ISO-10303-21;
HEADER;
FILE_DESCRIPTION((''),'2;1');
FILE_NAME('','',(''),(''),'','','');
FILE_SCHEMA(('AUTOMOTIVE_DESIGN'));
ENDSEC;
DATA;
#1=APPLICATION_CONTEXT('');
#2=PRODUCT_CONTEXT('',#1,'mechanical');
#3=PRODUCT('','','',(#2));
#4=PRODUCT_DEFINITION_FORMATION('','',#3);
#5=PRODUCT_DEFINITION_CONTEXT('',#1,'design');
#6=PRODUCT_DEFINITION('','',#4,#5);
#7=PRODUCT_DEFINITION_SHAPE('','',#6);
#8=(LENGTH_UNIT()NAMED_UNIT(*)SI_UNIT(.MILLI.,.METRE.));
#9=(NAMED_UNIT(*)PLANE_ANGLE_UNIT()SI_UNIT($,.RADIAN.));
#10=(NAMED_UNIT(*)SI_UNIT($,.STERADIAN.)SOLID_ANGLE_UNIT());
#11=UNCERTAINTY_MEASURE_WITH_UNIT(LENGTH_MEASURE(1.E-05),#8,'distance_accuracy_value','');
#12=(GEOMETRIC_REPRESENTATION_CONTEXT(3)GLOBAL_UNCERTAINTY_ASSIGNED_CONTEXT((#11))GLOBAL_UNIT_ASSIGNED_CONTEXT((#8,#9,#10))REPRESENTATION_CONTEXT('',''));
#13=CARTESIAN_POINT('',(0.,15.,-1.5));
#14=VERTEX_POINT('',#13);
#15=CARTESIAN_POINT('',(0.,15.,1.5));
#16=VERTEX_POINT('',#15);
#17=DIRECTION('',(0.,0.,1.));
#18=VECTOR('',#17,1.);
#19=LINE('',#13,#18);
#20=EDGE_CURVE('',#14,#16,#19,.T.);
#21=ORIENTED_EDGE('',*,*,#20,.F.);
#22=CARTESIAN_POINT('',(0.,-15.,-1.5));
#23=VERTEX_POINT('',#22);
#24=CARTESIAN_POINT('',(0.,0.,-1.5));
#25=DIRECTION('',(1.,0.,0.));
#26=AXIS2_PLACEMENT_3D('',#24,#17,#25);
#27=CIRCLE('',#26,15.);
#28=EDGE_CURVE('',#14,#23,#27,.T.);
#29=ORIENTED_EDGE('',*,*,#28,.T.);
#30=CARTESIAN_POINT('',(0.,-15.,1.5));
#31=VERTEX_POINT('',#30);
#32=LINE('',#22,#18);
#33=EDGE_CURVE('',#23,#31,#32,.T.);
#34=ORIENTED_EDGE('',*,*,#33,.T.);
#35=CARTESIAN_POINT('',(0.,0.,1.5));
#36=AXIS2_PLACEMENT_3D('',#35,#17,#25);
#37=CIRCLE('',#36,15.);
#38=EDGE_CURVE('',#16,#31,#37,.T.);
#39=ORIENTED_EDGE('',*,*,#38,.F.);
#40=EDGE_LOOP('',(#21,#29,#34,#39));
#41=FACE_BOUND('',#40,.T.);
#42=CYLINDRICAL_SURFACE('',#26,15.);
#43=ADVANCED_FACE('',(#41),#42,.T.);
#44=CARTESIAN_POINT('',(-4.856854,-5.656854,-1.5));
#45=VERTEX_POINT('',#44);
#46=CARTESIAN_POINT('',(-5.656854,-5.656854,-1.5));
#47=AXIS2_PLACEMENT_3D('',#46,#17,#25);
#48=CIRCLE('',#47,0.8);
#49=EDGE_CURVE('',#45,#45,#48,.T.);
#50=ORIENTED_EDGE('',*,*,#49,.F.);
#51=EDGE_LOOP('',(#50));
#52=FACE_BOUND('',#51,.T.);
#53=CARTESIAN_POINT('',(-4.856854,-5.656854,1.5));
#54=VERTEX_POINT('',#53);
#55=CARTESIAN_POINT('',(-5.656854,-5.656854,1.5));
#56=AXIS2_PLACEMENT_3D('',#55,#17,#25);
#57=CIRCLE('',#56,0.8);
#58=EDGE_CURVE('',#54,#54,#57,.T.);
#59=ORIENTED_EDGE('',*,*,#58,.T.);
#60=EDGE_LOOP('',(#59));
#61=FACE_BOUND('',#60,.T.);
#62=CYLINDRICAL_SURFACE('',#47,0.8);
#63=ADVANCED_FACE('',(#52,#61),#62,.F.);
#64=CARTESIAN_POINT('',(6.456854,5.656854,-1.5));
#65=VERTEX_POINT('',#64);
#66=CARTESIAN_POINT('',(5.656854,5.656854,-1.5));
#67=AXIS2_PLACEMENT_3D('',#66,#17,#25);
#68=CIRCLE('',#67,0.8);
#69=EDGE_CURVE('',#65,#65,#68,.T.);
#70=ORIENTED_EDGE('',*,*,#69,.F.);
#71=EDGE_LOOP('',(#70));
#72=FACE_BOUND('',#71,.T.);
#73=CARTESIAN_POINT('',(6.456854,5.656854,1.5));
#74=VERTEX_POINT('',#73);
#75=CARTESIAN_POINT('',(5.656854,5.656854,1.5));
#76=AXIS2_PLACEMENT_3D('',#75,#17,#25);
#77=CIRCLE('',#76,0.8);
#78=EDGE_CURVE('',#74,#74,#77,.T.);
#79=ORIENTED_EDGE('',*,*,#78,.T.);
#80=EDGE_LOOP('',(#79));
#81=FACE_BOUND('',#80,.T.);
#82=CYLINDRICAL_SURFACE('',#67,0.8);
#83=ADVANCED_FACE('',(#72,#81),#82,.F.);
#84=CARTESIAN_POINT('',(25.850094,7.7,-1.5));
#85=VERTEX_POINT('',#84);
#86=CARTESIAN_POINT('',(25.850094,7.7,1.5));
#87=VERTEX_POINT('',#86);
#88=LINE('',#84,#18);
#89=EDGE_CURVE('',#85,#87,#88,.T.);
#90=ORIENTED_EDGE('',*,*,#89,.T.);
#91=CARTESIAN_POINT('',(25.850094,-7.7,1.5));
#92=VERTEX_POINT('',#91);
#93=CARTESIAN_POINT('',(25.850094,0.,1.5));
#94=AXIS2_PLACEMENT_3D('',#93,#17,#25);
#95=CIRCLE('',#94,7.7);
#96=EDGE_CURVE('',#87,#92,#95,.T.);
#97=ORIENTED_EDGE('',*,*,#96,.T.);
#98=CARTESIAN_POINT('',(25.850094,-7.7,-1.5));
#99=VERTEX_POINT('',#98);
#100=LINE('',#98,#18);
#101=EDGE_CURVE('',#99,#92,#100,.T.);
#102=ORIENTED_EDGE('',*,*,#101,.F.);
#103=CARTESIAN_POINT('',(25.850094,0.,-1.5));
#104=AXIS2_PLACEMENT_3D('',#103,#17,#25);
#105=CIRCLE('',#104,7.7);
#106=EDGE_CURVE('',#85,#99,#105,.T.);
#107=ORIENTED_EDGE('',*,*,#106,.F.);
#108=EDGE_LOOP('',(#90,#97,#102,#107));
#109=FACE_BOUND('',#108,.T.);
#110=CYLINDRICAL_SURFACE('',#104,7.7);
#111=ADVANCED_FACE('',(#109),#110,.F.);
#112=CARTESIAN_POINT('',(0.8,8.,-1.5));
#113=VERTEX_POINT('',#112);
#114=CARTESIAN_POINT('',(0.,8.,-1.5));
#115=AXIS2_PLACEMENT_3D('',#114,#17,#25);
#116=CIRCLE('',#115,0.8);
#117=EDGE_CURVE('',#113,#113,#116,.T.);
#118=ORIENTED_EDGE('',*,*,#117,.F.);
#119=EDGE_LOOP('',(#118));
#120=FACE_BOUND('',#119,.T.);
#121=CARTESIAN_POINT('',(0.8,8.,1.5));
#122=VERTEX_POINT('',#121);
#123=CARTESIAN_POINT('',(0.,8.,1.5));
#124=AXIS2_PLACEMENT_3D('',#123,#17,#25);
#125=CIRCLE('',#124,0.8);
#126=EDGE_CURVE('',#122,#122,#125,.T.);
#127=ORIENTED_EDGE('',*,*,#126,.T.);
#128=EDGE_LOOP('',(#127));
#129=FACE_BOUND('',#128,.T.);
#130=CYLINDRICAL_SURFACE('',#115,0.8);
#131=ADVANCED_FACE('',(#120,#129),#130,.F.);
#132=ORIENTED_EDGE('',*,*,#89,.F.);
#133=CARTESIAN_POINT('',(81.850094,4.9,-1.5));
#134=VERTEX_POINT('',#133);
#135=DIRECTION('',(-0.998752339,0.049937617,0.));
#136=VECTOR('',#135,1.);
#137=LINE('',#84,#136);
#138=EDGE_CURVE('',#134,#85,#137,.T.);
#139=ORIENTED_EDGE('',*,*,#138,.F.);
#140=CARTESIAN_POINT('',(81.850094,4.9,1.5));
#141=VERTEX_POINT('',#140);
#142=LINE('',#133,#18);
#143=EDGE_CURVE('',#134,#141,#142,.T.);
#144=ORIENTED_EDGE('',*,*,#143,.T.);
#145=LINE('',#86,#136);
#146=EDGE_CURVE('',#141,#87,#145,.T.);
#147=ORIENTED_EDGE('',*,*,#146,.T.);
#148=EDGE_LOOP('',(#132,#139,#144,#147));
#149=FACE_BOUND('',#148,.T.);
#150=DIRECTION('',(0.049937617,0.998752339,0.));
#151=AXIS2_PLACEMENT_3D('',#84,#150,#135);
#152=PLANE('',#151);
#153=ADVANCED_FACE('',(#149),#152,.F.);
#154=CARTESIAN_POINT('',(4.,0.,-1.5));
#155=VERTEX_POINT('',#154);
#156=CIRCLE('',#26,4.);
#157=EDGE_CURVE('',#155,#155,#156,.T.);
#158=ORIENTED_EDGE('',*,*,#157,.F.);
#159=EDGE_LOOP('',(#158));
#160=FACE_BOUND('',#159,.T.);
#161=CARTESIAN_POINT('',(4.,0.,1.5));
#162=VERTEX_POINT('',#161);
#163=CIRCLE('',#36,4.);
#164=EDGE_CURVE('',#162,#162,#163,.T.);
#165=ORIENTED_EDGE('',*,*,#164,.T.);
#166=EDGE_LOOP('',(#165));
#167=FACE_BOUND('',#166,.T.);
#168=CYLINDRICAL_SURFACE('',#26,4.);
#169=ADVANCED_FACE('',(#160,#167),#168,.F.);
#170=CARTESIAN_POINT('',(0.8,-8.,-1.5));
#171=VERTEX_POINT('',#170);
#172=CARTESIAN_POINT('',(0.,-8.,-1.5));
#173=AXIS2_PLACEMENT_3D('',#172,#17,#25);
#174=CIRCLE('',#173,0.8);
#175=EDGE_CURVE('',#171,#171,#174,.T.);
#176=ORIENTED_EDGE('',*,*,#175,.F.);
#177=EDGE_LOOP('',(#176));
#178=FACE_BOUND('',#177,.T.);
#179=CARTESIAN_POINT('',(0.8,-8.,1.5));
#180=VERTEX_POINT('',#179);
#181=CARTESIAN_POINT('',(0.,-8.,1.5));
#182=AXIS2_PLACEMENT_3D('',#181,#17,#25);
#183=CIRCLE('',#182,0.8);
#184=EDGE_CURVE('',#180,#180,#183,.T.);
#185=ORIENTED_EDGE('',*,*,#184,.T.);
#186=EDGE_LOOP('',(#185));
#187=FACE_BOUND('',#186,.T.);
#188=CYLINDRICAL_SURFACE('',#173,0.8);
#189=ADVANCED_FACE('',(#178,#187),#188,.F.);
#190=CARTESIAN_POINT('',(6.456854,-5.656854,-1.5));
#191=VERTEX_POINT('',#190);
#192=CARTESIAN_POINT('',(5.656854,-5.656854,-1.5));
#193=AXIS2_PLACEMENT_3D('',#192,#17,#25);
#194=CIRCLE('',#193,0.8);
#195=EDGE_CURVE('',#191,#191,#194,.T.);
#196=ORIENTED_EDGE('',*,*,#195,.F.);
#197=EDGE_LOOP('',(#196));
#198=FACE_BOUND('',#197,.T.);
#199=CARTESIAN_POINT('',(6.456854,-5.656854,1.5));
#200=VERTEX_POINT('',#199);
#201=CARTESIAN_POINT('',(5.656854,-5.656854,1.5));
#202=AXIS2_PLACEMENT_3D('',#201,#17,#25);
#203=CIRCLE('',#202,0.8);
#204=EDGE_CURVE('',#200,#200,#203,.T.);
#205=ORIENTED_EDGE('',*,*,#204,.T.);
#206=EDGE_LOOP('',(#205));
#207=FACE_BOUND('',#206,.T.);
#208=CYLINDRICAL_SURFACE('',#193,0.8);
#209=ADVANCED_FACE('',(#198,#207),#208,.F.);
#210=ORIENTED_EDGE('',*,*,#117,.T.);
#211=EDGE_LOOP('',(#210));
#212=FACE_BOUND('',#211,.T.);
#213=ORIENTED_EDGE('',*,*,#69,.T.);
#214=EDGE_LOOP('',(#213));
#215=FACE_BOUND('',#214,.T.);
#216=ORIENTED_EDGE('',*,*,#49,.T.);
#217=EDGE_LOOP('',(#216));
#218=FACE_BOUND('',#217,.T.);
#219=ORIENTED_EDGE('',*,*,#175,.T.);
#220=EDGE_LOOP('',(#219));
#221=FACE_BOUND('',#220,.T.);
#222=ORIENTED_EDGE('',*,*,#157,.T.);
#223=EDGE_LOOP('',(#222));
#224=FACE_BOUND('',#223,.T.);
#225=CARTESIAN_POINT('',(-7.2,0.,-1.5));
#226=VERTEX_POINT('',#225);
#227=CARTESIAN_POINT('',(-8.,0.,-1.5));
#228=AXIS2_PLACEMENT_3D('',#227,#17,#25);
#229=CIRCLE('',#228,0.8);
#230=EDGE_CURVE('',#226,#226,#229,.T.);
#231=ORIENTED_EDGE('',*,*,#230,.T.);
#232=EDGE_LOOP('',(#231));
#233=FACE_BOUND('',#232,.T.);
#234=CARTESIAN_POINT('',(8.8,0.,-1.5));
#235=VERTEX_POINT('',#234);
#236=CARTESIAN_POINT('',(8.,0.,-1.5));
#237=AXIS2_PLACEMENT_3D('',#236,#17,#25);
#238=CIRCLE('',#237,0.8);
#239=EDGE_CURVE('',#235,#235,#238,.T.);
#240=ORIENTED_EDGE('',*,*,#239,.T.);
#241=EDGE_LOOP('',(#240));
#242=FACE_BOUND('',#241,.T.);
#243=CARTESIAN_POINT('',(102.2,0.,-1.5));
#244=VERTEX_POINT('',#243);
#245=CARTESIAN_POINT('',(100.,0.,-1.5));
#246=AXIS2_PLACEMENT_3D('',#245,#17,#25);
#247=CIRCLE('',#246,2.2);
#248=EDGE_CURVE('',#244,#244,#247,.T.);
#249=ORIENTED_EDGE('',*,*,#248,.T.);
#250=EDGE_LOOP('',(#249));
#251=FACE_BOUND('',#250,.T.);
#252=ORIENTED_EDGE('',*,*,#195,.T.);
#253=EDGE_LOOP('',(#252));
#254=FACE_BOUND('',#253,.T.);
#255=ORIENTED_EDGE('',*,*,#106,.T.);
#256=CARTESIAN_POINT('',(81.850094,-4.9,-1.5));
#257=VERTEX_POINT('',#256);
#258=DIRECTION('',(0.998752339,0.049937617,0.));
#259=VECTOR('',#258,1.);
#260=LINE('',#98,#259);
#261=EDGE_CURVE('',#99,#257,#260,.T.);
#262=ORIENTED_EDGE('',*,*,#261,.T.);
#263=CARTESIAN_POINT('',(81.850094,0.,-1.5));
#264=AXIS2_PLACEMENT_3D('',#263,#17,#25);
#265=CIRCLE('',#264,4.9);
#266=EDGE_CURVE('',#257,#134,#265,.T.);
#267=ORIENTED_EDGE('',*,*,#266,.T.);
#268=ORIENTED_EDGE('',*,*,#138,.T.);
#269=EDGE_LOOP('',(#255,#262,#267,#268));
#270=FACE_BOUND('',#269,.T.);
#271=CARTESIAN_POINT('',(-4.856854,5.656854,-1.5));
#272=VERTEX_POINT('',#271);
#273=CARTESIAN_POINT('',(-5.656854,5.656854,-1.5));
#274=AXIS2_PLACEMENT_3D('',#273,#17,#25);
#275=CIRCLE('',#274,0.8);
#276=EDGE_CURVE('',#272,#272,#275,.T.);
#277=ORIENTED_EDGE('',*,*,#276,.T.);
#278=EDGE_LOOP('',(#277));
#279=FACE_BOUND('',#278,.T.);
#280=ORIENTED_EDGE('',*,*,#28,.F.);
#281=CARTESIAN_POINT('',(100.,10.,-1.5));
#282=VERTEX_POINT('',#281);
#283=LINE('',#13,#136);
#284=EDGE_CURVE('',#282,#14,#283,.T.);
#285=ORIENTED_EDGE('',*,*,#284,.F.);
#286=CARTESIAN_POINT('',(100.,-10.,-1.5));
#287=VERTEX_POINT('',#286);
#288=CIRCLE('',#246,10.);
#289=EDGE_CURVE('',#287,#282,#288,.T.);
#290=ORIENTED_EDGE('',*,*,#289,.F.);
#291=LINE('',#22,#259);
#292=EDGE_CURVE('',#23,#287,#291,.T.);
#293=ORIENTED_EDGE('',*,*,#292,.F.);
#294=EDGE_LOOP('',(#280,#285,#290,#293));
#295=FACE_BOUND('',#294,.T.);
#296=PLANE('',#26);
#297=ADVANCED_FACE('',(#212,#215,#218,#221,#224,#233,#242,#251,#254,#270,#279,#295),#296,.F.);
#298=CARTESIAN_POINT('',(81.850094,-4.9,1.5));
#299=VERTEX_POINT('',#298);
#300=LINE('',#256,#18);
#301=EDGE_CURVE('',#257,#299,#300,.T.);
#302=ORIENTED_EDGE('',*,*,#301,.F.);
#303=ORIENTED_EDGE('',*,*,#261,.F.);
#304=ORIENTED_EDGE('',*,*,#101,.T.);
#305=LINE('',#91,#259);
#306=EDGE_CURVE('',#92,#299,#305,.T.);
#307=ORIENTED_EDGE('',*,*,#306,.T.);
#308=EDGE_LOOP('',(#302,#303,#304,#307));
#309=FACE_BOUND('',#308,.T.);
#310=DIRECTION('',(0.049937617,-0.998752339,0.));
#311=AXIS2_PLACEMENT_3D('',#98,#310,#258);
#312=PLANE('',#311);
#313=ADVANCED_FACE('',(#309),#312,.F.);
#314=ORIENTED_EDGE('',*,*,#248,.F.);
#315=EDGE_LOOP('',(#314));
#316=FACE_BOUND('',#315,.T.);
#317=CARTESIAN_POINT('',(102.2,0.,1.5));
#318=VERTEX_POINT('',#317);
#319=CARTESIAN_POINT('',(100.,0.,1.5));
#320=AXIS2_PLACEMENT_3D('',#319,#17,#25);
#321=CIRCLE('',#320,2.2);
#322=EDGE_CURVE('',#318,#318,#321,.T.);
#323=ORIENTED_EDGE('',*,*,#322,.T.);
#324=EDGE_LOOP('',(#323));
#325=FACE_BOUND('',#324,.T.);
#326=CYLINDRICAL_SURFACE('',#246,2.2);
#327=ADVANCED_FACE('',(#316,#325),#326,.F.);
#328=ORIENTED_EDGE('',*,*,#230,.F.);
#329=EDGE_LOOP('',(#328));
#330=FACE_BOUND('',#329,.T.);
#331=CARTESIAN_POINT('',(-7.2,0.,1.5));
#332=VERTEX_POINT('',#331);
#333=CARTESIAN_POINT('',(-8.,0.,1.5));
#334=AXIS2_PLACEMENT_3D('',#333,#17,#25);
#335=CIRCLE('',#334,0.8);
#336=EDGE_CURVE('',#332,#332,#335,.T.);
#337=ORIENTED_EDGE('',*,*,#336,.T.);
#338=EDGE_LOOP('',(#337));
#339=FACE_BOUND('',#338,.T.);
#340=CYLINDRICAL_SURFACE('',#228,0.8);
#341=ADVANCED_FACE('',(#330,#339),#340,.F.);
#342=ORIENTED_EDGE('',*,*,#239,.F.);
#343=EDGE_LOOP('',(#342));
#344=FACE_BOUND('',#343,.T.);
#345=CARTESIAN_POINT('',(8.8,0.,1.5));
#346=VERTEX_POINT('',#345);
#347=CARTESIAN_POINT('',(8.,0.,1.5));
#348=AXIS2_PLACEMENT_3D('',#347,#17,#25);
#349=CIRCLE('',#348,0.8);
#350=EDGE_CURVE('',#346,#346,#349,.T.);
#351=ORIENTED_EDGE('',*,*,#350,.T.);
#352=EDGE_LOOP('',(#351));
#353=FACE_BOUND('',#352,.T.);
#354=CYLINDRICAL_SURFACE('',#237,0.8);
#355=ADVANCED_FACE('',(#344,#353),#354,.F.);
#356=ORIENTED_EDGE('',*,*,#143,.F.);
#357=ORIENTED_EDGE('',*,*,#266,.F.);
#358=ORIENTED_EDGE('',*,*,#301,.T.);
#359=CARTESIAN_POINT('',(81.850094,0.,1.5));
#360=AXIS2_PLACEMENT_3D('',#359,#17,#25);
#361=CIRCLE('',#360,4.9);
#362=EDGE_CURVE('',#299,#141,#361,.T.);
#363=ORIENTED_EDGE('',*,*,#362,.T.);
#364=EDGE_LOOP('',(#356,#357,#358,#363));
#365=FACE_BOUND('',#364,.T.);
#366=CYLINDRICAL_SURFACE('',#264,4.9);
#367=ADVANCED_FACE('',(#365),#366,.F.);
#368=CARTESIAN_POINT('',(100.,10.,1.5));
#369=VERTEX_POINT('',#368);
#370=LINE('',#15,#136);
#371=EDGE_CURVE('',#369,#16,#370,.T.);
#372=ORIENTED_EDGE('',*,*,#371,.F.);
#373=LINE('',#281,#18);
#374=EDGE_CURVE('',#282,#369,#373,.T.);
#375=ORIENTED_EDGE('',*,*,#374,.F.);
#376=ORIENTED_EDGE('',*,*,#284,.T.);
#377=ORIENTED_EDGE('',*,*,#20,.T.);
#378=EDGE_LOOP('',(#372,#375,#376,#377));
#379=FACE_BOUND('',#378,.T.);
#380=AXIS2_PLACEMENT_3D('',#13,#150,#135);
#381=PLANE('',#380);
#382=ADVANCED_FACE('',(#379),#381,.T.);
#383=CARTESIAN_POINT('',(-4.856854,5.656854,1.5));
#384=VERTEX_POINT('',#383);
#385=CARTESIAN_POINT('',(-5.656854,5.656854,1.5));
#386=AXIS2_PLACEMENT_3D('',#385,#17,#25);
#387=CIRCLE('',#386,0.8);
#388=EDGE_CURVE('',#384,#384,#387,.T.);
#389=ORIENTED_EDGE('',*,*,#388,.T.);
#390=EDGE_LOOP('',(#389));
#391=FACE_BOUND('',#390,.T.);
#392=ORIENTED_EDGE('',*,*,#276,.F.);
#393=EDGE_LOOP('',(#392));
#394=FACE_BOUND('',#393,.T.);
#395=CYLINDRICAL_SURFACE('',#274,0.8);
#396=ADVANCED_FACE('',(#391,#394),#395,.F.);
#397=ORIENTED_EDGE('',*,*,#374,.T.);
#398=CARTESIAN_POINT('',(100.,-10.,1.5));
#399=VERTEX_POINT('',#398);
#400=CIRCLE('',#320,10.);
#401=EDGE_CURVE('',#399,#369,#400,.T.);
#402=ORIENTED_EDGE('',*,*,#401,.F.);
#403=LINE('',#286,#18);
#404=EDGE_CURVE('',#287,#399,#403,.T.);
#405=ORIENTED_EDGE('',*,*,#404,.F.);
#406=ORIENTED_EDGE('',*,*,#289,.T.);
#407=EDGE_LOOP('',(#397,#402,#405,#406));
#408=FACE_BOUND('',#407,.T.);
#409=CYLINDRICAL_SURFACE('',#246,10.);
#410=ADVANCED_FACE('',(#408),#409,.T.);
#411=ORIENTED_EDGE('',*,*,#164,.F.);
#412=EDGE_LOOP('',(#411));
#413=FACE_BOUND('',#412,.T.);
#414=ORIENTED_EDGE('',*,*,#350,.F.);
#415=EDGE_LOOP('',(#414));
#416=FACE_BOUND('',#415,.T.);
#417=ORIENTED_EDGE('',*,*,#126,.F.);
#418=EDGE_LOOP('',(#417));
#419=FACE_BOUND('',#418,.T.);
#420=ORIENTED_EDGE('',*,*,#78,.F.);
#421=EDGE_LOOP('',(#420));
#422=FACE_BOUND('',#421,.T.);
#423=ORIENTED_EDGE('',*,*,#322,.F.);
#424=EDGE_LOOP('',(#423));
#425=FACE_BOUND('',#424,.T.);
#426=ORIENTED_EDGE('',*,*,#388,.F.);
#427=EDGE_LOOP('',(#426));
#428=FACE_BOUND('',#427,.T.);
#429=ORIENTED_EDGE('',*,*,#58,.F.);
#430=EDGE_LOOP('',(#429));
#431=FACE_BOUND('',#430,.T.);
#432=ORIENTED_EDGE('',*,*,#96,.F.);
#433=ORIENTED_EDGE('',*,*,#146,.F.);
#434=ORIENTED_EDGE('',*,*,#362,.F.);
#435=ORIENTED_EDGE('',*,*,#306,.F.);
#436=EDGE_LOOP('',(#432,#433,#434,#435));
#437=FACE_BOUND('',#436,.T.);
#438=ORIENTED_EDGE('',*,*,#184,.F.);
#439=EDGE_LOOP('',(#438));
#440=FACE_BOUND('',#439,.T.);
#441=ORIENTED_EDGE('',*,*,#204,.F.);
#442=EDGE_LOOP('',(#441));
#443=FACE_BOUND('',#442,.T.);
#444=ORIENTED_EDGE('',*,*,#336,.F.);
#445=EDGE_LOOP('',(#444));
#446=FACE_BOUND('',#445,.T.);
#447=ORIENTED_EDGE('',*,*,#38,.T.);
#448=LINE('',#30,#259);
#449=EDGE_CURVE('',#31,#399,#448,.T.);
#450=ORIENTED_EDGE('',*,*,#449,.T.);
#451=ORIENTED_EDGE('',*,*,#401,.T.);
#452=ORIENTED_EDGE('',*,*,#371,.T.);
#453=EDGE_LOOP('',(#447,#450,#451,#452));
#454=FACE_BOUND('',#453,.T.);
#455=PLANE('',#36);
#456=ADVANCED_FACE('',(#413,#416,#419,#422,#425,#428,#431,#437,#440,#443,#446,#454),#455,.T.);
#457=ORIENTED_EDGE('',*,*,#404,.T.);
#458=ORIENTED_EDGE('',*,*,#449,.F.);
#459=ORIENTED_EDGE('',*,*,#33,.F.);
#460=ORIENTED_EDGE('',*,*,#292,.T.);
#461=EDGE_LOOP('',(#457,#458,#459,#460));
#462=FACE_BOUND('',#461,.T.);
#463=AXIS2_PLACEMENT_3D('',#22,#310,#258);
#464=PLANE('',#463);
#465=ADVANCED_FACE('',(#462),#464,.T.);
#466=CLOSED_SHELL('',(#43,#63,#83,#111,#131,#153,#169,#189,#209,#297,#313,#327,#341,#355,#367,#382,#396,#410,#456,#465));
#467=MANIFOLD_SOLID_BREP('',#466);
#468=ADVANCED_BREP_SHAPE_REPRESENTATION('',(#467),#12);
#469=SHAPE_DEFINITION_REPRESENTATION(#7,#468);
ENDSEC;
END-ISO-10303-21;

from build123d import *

# Parameters (mm, degrees)
BOSS_EXTRU_1_DEPTH      = 1.5
BOSS_EXTRU_1_DEPTH_BACK = 1.5
ESQUISSE1_R             = 0.8
ESQUISSE1_R_2           = 2.2
ESQUISSE1_R_3           = 4


with BuildPart() as part:
    # Esquisse1 → Boss.-Extru.1 (new, two sides: drawn at the far end of the back side and taken through both)
    with BuildSketch(Plane.XY.offset(-BOSS_EXTRU_1_DEPTH_BACK)):
        with BuildLine():
            Line((0, -15), (100, -10))
            ThreePointArc((100, -10), (110, 0), (100, 10))
            Line((100, 10), (0, 15))
            ThreePointArc((0, 15), (-15, 0), (0, -15))
        make_face()
        with Locations((5.656854249, 5.656854249)):
            Circle(ESQUISSE1_R, mode=Mode.SUBTRACT)
        with Locations((8, 0)):
            Circle(ESQUISSE1_R, mode=Mode.SUBTRACT)
        with Locations((5.656854249, -5.656854249)):
            Circle(ESQUISSE1_R, mode=Mode.SUBTRACT)
        with Locations((0, -8)):
            Circle(ESQUISSE1_R, mode=Mode.SUBTRACT)
        with Locations((100, 0)):
            Circle(ESQUISSE1_R_2, mode=Mode.SUBTRACT)
        Circle(ESQUISSE1_R_3, mode=Mode.SUBTRACT)
        with Locations((-5.656854249, -5.656854249)):
            Circle(ESQUISSE1_R, mode=Mode.SUBTRACT)
        with Locations((-8, 0)):
            Circle(ESQUISSE1_R, mode=Mode.SUBTRACT)
        with Locations((-5.656854249, 5.656854249)):
            Circle(ESQUISSE1_R, mode=Mode.SUBTRACT)
        with Locations((0, 8)):
            Circle(ESQUISSE1_R, mode=Mode.SUBTRACT)
        with BuildLine():
            Line((25.850093633, 7.7), (81.850093633, 4.9))
            ThreePointArc((81.850093633, 4.9), (86.750093633, 0), (81.850093633, -4.9))
            Line((81.850093633, -4.9), (25.850093633, -7.7))
            ThreePointArc((25.850093633, -7.7), (18.150093633, 0), (25.850093633, 7.7))
        make_face(mode=Mode.SUBTRACT)
    extrude(amount=BOSS_EXTRU_1_DEPTH + BOSS_EXTRU_1_DEPTH_BACK)


solid = part.part
